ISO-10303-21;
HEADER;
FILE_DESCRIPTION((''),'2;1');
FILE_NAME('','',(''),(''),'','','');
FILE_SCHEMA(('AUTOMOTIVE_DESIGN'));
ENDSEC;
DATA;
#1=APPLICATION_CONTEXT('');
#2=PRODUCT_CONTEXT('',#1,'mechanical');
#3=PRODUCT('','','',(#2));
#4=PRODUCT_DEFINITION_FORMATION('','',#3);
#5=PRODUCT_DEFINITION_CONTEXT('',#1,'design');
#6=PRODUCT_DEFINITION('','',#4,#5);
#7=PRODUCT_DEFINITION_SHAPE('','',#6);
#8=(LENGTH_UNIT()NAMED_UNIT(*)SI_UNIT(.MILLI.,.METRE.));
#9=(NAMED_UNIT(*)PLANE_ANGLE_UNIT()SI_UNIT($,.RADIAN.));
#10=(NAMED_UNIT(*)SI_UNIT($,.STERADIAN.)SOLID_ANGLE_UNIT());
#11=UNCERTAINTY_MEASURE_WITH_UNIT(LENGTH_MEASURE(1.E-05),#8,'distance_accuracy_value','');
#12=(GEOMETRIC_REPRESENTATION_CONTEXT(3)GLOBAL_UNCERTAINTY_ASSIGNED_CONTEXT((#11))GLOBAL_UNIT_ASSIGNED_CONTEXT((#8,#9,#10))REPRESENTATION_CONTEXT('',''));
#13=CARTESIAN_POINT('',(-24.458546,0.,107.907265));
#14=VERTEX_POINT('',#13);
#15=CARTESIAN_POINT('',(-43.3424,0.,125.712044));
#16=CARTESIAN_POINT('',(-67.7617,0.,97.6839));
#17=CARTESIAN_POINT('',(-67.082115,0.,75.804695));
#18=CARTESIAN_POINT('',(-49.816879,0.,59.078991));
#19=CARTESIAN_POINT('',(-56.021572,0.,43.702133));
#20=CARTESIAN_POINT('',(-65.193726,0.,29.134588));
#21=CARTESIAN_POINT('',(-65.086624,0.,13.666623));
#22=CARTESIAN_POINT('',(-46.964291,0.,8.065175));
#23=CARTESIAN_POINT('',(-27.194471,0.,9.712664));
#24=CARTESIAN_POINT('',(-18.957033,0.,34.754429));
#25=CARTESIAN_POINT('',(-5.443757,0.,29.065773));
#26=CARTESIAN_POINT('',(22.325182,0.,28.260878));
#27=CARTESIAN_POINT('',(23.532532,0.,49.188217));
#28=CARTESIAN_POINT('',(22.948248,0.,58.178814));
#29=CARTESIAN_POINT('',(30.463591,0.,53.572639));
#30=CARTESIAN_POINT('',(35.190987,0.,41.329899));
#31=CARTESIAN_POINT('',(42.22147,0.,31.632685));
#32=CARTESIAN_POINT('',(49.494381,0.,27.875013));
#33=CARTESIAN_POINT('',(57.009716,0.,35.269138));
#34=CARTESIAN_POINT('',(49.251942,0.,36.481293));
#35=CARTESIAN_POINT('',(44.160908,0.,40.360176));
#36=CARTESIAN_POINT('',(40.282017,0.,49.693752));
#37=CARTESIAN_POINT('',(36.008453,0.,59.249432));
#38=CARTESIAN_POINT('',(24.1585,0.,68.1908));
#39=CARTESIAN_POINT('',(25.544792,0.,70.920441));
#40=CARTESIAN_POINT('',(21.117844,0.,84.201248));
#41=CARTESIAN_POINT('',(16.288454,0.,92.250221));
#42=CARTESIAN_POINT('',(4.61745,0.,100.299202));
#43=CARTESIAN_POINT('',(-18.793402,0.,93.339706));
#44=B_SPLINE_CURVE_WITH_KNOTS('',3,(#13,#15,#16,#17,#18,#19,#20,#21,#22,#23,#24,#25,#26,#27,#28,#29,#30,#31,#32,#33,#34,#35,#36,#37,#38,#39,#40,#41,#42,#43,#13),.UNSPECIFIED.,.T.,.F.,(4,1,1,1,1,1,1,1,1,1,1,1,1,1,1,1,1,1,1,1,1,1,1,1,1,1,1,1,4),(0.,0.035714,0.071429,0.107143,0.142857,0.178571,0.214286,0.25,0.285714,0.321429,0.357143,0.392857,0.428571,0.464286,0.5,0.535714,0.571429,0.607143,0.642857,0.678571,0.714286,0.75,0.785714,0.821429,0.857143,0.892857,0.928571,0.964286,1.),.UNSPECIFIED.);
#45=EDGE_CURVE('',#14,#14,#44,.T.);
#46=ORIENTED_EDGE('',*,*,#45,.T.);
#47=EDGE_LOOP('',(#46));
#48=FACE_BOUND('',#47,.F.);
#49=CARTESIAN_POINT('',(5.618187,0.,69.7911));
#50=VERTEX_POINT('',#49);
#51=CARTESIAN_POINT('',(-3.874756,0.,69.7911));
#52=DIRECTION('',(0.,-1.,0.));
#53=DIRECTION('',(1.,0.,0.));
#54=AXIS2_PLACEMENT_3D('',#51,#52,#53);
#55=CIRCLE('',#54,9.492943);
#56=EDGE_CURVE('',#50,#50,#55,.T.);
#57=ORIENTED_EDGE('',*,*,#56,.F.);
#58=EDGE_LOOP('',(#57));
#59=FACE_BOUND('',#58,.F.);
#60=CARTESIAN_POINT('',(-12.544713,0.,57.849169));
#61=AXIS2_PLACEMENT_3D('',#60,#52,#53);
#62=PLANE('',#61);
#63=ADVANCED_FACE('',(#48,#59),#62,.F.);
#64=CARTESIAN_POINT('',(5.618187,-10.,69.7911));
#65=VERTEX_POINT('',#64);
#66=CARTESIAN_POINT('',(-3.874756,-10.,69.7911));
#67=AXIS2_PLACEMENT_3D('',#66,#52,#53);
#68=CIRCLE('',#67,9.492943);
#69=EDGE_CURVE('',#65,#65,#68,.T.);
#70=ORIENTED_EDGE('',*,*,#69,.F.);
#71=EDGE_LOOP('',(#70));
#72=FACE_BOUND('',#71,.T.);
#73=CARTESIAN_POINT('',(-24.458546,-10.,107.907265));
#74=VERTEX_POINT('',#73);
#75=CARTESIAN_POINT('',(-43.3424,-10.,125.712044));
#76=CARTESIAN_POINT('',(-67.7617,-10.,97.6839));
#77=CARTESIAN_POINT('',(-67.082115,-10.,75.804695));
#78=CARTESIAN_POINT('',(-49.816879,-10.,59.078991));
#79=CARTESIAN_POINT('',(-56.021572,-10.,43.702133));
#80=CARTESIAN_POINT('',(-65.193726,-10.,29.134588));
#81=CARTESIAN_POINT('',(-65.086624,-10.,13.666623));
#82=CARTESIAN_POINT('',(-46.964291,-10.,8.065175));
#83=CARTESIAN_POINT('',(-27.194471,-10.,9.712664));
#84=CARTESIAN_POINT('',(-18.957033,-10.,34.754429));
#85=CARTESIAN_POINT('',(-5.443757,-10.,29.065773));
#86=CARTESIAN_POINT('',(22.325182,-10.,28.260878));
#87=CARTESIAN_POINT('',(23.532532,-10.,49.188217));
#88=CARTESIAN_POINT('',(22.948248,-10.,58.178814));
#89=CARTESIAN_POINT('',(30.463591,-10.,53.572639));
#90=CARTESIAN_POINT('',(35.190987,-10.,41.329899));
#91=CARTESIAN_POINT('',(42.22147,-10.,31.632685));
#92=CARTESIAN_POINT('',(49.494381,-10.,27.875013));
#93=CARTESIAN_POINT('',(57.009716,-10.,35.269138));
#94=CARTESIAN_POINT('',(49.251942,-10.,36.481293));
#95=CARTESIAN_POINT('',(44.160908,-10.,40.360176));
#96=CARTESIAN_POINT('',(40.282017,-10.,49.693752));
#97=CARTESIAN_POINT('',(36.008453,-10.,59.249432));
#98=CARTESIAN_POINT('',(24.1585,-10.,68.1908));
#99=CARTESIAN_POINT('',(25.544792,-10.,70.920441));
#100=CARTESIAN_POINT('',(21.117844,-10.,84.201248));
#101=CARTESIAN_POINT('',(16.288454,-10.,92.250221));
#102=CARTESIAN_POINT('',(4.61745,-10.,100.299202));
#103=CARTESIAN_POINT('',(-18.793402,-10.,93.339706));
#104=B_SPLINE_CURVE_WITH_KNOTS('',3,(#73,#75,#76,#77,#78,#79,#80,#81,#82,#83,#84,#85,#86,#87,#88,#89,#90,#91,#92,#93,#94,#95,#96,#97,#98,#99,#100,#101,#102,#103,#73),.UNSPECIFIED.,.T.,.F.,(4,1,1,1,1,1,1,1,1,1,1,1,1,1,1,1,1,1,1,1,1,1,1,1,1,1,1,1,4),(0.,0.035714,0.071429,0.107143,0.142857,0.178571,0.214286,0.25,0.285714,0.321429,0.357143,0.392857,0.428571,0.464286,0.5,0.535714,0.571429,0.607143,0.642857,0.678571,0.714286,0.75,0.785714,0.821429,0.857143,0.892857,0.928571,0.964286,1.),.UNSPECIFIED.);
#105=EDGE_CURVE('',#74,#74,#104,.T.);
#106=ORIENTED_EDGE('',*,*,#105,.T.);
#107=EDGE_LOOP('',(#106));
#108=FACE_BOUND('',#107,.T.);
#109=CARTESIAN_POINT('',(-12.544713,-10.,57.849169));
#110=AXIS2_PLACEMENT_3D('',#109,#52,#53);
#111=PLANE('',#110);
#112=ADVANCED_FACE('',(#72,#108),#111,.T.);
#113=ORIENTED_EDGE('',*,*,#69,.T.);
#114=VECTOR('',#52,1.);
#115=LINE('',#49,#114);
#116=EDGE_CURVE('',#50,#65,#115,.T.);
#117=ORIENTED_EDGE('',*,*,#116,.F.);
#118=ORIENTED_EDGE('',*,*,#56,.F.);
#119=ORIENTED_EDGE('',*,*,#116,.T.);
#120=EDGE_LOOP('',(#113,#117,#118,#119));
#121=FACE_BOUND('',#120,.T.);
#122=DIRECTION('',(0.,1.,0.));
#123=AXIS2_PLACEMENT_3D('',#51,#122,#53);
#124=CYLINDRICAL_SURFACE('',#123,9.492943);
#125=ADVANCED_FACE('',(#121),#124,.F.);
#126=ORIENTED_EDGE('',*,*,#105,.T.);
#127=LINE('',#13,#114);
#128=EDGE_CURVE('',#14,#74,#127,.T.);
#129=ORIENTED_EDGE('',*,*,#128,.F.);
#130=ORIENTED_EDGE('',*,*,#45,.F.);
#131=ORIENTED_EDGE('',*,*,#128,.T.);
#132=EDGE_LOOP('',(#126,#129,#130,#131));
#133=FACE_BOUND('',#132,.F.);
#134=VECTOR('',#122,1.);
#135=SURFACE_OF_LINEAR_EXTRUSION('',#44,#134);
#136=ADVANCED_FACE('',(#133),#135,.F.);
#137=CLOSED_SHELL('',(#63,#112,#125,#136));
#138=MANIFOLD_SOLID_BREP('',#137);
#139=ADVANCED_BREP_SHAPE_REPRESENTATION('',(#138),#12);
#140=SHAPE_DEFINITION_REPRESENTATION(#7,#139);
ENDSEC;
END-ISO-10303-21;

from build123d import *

# Parameters (mm, degrees)
SKETCH_R  = 9.492943
PAD_DEPTH = 10


with BuildPart() as part:
    # Sketch → Pad (new body)
    with BuildSketch(Plane.XZ):
        with BuildLine():
            add(Edge.make_bspline(
                [(-24.458546, 107.907265), (-43.3424, 125.712044), (-67.7617, 97.6839), (-67.082115, 75.804695), (-49.816879, 59.078991), (-56.021572, 43.702133), (-65.193726, 29.134588), (-65.086624, 13.666623), (-46.964291, 8.065175), (-27.194471, 9.712664), (-18.957033, 34.754429), (-5.443757, 29.065773), (22.325182, 28.260878), (23.532532, 49.188217), (22.948248, 58.178814), (30.463591, 53.572639), (35.190987, 41.329899), (42.22147, 31.632685), (49.494381, 27.875013), (57.009716, 35.269138), (49.251942, 36.481293), (44.160908, 40.360176), (40.282017, 49.693752), (36.008453, 59.249432), (24.1585, 68.1908), (25.544792, 70.920441), (21.117844, 84.201248), (16.288454, 92.250221), (4.61745, 100.299202), (-18.793402, 93.339706), (-24.458546, 107.907265)],
                knots=[0, 0, 0, 0, 0.035714, 0.071429, 0.107143, 0.142857, 0.178571, 0.214286, 0.25, 0.285714, 0.321429, 0.357143, 0.392857, 0.428571, 0.464286, 0.5, 0.535714, 0.571429, 0.607143, 0.642857, 0.678571, 0.714286, 0.75, 0.785714, 0.821429, 0.857143, 0.892857, 0.928571, 0.964286, 1, 1, 1, 1], degree=3))
        make_face()
        with Locations((-3.874756, 69.7911)):
            Circle(SKETCH_R, mode=Mode.SUBTRACT)
    extrude(amount=PAD_DEPTH)


solid = part.part
